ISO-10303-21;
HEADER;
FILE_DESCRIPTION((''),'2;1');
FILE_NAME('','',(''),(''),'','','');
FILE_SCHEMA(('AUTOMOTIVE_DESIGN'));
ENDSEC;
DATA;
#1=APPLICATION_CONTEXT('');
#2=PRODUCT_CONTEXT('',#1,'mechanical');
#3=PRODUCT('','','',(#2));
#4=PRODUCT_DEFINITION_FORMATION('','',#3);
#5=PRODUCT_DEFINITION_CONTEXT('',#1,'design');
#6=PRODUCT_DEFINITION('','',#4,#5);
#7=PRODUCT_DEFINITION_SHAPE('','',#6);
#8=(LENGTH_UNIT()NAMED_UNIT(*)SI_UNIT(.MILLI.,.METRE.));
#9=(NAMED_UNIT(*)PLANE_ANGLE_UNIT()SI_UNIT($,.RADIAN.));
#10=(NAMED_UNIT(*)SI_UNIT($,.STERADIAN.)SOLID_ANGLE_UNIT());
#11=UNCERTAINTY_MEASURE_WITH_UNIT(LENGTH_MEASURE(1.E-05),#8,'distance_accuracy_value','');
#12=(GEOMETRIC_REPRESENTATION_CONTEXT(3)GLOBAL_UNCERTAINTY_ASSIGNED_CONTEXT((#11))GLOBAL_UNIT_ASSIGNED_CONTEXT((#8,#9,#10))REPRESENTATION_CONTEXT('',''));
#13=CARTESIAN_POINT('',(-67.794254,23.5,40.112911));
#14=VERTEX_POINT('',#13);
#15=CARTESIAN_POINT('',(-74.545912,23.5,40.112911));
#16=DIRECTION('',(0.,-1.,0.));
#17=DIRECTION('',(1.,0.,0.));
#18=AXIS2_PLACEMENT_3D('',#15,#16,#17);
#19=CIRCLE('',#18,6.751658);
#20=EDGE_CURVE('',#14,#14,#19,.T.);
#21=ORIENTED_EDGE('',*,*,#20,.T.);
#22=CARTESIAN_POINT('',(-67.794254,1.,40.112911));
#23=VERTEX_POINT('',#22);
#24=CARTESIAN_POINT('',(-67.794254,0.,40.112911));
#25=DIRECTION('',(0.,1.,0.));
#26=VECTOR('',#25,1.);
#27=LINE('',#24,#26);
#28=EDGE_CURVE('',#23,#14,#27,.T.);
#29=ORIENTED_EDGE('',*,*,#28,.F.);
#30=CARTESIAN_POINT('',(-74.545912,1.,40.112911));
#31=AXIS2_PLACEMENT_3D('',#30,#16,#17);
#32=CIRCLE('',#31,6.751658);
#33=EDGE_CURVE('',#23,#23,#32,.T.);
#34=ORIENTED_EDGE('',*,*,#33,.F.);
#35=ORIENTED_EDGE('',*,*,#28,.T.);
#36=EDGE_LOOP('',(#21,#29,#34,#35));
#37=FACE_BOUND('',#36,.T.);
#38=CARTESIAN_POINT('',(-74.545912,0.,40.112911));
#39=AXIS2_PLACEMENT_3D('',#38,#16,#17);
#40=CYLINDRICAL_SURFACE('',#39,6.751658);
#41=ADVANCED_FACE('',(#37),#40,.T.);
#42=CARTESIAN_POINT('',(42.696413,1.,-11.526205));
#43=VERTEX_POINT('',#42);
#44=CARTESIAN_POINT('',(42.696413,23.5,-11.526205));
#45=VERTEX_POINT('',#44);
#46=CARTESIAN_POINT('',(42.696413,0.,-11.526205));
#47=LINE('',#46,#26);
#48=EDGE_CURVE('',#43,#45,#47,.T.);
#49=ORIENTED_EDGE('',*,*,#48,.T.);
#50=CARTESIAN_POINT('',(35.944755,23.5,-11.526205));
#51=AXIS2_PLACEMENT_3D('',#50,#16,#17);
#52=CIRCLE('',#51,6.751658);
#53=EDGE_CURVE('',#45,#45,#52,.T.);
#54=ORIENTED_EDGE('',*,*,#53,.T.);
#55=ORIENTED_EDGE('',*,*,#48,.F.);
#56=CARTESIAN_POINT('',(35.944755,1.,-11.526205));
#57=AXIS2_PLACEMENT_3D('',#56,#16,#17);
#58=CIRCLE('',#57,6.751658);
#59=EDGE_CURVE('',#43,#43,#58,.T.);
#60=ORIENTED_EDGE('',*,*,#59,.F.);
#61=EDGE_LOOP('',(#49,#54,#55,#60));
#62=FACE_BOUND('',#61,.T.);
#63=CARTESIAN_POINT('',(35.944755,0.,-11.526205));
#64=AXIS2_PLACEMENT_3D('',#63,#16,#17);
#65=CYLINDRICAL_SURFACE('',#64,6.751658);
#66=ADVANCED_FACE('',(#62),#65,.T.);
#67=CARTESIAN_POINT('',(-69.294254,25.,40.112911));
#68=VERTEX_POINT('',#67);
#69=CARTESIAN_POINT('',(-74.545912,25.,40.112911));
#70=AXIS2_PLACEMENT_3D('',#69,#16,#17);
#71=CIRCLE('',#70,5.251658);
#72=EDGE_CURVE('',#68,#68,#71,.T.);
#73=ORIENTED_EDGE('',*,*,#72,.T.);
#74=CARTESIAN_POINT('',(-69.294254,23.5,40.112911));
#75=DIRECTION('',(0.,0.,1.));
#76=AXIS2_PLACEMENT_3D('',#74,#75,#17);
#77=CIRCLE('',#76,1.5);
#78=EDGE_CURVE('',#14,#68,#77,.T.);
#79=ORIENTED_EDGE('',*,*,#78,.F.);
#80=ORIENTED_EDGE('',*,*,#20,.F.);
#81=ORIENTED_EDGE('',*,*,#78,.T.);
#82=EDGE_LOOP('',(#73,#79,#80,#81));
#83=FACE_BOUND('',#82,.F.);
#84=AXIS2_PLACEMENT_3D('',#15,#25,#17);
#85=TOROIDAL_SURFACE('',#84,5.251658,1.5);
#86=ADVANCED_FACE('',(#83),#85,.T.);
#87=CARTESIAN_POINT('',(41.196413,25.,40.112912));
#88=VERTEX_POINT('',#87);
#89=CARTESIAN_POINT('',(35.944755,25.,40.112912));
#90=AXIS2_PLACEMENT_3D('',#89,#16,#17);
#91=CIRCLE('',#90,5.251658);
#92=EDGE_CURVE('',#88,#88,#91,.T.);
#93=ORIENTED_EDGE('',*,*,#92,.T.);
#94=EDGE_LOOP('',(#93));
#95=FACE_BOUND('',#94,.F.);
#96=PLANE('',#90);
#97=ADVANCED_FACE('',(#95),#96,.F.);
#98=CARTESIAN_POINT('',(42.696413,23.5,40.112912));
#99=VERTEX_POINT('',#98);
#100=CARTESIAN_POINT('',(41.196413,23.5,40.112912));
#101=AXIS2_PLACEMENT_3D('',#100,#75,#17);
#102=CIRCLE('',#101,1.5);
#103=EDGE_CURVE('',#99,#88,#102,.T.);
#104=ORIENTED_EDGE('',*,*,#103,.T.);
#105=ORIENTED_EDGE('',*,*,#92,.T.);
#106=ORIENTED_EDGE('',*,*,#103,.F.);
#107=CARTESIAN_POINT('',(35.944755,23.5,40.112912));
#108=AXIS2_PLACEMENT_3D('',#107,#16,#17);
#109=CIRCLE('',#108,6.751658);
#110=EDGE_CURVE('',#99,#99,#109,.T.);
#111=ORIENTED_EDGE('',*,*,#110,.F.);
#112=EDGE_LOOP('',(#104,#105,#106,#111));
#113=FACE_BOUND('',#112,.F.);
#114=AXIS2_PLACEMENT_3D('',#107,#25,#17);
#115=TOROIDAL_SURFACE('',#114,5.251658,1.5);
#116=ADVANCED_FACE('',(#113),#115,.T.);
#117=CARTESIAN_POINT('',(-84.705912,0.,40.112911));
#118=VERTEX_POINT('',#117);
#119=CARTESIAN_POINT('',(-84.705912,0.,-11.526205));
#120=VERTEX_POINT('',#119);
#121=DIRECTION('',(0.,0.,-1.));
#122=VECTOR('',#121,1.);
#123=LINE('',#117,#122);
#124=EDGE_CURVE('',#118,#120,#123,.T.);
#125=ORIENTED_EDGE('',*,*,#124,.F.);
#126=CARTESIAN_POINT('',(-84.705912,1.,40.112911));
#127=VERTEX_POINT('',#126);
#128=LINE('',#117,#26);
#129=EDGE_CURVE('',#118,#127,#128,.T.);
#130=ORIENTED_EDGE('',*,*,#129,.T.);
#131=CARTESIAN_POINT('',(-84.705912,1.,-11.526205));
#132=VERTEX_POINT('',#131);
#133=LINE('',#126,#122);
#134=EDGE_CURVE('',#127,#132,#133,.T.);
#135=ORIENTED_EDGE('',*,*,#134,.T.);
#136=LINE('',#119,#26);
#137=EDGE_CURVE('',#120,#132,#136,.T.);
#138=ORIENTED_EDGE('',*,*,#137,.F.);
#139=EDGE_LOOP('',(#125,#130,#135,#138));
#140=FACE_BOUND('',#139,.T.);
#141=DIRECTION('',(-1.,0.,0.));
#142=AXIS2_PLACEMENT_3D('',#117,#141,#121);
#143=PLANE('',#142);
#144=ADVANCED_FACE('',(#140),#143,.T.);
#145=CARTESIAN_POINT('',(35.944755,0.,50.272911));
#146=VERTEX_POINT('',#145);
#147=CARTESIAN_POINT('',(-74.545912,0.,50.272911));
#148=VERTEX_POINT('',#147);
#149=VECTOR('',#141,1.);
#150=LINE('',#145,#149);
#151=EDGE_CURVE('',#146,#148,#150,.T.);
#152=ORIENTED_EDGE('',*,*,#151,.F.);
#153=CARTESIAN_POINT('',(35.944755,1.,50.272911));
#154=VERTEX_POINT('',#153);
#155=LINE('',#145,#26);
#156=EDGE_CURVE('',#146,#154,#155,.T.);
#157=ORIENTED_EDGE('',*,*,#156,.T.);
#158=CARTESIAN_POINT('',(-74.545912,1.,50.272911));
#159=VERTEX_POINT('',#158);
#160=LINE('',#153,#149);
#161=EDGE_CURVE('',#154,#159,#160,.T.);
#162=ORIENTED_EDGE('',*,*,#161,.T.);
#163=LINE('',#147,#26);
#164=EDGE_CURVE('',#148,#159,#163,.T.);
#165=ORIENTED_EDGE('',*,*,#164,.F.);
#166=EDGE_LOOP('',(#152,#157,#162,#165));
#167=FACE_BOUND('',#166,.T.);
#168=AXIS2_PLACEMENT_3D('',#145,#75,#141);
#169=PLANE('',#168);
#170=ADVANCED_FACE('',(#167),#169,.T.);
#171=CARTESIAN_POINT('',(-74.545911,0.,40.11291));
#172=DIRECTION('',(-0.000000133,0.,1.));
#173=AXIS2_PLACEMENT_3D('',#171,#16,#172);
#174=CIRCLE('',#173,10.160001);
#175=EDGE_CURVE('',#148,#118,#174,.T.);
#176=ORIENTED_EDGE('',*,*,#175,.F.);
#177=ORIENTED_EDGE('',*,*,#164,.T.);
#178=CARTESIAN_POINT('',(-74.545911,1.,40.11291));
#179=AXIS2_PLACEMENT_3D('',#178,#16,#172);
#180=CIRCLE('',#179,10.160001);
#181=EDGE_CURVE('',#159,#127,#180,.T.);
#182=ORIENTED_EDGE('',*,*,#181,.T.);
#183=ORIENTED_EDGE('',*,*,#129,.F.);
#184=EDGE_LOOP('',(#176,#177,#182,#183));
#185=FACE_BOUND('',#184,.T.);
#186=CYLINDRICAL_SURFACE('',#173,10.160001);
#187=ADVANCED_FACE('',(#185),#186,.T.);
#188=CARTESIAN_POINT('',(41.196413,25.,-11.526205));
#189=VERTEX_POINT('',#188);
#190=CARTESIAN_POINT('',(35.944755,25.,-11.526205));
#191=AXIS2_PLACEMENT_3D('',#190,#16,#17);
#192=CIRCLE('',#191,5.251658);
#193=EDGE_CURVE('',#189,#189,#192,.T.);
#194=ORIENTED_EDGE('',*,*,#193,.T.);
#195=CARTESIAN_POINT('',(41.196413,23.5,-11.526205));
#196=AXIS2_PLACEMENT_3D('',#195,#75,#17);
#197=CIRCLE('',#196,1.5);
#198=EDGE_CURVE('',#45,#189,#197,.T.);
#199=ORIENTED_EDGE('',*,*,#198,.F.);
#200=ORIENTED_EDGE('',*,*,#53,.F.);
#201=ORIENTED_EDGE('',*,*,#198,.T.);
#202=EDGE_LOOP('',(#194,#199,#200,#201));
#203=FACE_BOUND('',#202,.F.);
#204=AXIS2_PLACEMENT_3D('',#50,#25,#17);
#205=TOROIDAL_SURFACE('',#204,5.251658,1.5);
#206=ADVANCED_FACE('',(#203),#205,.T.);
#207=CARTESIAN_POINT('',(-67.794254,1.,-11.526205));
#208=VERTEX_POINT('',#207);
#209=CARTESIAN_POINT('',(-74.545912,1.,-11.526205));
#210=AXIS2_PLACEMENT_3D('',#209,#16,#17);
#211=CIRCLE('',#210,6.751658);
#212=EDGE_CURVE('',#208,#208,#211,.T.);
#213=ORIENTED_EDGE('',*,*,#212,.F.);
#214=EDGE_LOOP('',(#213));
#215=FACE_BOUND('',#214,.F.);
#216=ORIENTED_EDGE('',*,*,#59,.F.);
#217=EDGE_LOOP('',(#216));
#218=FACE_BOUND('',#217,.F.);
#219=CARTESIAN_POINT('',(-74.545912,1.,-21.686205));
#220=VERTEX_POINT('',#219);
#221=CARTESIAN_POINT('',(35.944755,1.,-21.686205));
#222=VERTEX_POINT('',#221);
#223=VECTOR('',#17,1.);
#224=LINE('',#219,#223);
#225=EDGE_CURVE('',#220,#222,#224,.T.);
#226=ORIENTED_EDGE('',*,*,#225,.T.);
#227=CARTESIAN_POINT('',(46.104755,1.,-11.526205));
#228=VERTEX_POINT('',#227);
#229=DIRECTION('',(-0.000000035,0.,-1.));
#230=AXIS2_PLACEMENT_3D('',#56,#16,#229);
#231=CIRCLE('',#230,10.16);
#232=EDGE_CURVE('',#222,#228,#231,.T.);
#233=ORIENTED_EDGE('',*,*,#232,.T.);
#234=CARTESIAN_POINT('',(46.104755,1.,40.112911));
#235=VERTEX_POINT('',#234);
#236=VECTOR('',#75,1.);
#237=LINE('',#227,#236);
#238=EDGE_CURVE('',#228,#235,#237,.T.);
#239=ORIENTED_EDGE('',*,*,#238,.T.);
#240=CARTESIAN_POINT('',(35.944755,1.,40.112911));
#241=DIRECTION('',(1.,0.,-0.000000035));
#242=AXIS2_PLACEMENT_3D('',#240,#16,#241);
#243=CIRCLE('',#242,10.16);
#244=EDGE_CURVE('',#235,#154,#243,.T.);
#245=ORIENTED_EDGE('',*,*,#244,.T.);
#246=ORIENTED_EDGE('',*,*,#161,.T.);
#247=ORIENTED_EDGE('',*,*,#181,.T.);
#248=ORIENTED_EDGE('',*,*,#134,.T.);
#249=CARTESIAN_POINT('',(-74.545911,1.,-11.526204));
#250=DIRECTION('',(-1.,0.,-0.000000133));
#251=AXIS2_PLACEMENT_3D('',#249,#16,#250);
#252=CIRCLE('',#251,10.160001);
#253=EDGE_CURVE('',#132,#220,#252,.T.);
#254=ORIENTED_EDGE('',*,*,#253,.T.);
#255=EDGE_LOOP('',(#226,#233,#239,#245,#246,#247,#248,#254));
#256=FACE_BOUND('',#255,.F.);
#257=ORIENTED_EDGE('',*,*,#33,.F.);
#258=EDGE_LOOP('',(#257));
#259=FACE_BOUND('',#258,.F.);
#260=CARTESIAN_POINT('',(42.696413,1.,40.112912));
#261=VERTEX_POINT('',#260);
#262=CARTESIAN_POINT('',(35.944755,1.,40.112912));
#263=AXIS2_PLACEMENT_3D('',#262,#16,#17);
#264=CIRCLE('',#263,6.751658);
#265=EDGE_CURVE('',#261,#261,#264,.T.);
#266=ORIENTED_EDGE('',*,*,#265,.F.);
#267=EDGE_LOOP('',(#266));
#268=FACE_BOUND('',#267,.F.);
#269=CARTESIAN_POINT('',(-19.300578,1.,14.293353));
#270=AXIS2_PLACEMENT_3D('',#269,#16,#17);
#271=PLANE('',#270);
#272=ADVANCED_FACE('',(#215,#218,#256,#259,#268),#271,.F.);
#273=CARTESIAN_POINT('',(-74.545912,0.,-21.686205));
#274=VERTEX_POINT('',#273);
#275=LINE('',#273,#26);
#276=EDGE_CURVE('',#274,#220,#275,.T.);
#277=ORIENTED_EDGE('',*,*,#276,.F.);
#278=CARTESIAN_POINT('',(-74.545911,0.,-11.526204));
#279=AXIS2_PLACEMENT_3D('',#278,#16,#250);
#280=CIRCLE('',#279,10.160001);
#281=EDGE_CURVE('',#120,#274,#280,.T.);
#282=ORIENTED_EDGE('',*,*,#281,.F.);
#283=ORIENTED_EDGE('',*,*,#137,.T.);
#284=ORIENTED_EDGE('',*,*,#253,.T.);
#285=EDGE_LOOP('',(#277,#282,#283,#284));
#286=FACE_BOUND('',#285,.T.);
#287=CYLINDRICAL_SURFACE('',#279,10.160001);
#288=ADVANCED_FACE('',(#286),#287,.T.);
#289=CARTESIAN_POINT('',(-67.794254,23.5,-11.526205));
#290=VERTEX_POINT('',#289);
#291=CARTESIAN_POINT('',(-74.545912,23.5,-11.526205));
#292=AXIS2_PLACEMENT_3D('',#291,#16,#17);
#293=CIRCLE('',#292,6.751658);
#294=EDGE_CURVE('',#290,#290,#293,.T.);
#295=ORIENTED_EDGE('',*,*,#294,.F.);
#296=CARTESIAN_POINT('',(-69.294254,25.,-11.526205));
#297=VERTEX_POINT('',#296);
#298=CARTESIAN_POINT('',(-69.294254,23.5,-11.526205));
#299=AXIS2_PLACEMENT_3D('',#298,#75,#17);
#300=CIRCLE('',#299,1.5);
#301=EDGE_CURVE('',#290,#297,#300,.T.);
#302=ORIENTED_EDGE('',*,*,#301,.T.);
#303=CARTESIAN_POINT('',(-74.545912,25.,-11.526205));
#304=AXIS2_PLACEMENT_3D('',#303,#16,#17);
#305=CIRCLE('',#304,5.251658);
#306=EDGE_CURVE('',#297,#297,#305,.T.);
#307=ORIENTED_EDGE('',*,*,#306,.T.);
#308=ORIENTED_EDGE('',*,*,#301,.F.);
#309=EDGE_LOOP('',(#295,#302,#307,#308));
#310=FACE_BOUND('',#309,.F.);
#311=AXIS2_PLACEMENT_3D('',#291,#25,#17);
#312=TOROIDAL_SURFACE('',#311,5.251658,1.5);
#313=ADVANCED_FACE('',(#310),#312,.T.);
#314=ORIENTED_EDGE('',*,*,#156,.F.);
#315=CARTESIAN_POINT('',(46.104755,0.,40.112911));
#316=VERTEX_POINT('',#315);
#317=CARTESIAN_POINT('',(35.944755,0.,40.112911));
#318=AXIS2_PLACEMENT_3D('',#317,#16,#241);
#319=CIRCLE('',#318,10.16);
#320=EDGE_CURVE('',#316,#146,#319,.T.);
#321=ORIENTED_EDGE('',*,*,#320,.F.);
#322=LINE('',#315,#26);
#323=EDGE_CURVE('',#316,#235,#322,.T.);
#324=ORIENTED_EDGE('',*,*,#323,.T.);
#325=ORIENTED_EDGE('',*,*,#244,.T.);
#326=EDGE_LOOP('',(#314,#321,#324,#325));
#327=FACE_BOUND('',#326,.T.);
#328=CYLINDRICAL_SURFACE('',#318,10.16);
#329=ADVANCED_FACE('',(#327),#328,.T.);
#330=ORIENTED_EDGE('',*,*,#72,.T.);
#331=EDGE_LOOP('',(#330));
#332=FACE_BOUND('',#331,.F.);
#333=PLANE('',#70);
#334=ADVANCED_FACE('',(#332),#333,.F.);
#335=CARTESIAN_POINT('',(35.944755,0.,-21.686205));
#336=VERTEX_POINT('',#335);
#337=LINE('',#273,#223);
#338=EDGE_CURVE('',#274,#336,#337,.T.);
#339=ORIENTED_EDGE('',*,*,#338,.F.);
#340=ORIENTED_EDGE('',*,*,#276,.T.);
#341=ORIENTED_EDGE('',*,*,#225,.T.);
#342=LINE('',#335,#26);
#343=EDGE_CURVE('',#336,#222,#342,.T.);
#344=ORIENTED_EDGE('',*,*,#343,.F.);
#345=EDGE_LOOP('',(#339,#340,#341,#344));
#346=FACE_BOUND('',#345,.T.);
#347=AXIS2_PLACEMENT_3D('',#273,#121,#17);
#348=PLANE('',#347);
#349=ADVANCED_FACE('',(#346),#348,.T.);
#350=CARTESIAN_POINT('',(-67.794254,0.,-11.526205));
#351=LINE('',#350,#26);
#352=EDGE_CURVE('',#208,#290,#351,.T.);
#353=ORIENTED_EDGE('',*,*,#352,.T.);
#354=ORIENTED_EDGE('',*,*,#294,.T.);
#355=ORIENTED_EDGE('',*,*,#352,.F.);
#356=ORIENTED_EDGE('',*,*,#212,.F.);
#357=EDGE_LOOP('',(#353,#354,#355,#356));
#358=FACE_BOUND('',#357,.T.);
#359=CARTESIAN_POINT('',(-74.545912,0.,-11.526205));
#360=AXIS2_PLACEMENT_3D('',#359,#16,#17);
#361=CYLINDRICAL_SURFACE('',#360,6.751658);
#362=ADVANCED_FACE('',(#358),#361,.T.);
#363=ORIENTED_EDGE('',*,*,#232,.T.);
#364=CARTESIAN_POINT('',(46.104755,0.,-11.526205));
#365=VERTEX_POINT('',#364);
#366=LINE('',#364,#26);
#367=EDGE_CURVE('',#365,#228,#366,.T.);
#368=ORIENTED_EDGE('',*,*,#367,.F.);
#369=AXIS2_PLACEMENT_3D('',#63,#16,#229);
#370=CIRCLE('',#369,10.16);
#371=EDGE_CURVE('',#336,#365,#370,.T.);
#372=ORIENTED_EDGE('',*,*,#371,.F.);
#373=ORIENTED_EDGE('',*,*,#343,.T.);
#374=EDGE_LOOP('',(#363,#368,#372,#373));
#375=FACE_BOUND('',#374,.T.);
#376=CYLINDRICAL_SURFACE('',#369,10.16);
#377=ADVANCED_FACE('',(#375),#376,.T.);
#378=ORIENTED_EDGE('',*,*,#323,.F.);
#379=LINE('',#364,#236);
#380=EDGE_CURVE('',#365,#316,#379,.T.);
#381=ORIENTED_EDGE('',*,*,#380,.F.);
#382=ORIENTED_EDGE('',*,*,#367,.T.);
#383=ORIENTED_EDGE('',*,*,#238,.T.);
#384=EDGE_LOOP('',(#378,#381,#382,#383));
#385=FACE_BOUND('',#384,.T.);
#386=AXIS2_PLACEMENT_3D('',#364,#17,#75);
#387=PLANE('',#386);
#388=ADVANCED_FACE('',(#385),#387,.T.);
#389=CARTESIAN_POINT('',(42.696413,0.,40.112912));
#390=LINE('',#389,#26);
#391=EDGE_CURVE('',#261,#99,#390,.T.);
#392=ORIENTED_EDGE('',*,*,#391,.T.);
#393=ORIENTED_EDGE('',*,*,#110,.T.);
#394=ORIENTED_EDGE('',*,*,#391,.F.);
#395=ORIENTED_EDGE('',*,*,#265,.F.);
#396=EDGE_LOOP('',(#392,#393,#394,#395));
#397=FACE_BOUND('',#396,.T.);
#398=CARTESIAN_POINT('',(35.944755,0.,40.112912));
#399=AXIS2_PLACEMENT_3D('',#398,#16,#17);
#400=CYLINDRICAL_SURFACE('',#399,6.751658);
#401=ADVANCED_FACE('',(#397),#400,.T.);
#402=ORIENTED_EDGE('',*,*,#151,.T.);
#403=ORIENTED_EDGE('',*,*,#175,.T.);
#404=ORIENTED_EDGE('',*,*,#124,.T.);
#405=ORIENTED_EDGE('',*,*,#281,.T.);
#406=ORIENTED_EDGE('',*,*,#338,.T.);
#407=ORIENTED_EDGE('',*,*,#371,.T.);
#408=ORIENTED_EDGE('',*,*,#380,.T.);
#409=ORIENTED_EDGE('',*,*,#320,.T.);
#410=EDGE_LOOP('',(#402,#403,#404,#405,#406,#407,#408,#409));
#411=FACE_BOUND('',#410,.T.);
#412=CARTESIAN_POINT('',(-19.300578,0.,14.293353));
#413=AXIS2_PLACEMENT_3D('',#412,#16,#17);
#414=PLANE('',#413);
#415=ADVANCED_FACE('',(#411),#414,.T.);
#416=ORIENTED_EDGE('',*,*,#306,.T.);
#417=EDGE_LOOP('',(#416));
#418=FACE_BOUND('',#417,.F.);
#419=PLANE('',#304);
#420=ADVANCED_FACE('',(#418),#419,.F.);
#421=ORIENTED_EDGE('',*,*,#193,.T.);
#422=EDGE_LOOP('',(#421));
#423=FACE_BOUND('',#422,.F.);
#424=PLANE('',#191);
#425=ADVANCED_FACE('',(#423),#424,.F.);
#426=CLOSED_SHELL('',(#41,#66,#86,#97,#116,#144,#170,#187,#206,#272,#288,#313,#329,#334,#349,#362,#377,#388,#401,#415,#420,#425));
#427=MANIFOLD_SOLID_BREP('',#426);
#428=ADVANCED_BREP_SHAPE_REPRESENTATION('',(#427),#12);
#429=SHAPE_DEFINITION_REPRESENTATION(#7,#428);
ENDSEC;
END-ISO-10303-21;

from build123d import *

# Parameters (mm, degrees)
F0_R     = 6.751658
F1_DEPTH = 1
F2_DEPTH = 25
F3_R     = 1.5


with BuildPart() as f1:
    # F0 (on Front) → F1 (new body)
    with BuildSketch(Plane.XZ):
        with BuildLine():
            Line((-74.545912, -21.686205), (35.944755, -21.686205))
            ThreePointArc((35.944755, -21.686205), (43.12896, -18.71041), (46.104755, -11.526205))
            Line((46.104755, -11.526205), (46.104755, 40.112911))
            ThreePointArc((46.104755, 40.112911), (43.12896, 47.297116), (35.944755, 50.272911))
            Line((35.944755, 50.272911), (-74.545912, 50.272911))
            ThreePointArc((-74.545912, 50.272911), (-81.730116, 47.297116), (-84.705912, 40.112911))
            Line((-84.705912, 40.112911), (-84.705912, -11.526205))
            ThreePointArc((-84.705912, -11.526205), (-81.730116, -18.71041), (-74.545912, -21.686205))
        make_face()
        with Locations((-74.545912, -11.526205)):
            Circle(F0_R, mode=Mode.SUBTRACT)
        with Locations((35.944755, -11.526205)):
            Circle(F0_R, mode=Mode.SUBTRACT)
        with Locations((-74.545912, 40.112911)):
            Circle(F0_R, mode=Mode.SUBTRACT)
        with Locations((35.944755, 40.112912)):
            Circle(F0_R, mode=Mode.SUBTRACT)
    extrude(amount=-F1_DEPTH)

    # F0 (on Front) → F2 (join)
    with BuildSketch(Plane.XZ):
        with Locations((35.944755, 40.112912)):
            Circle(F0_R)
        with Locations((35.944755, -11.526205)):
            Circle(F0_R)
        with Locations((-74.545912, -11.526205)):
            Circle(F0_R)
        with Locations((-74.545912, 40.112911)):
            Circle(F0_R)
    extrude(amount=-F2_DEPTH)

    # F3
    f3_edges = [f1.edges().sort_by_distance(p)[0] for p in [
        (-81.29757, 25, 40.112911),
        (29.193097, 25, 40.112912),
        (29.193097, 25, -11.526205),
        (-81.29757, 25, -11.526205),
    ]]
    fillet(f3_edges, radius=F3_R)


solid = f1.part
